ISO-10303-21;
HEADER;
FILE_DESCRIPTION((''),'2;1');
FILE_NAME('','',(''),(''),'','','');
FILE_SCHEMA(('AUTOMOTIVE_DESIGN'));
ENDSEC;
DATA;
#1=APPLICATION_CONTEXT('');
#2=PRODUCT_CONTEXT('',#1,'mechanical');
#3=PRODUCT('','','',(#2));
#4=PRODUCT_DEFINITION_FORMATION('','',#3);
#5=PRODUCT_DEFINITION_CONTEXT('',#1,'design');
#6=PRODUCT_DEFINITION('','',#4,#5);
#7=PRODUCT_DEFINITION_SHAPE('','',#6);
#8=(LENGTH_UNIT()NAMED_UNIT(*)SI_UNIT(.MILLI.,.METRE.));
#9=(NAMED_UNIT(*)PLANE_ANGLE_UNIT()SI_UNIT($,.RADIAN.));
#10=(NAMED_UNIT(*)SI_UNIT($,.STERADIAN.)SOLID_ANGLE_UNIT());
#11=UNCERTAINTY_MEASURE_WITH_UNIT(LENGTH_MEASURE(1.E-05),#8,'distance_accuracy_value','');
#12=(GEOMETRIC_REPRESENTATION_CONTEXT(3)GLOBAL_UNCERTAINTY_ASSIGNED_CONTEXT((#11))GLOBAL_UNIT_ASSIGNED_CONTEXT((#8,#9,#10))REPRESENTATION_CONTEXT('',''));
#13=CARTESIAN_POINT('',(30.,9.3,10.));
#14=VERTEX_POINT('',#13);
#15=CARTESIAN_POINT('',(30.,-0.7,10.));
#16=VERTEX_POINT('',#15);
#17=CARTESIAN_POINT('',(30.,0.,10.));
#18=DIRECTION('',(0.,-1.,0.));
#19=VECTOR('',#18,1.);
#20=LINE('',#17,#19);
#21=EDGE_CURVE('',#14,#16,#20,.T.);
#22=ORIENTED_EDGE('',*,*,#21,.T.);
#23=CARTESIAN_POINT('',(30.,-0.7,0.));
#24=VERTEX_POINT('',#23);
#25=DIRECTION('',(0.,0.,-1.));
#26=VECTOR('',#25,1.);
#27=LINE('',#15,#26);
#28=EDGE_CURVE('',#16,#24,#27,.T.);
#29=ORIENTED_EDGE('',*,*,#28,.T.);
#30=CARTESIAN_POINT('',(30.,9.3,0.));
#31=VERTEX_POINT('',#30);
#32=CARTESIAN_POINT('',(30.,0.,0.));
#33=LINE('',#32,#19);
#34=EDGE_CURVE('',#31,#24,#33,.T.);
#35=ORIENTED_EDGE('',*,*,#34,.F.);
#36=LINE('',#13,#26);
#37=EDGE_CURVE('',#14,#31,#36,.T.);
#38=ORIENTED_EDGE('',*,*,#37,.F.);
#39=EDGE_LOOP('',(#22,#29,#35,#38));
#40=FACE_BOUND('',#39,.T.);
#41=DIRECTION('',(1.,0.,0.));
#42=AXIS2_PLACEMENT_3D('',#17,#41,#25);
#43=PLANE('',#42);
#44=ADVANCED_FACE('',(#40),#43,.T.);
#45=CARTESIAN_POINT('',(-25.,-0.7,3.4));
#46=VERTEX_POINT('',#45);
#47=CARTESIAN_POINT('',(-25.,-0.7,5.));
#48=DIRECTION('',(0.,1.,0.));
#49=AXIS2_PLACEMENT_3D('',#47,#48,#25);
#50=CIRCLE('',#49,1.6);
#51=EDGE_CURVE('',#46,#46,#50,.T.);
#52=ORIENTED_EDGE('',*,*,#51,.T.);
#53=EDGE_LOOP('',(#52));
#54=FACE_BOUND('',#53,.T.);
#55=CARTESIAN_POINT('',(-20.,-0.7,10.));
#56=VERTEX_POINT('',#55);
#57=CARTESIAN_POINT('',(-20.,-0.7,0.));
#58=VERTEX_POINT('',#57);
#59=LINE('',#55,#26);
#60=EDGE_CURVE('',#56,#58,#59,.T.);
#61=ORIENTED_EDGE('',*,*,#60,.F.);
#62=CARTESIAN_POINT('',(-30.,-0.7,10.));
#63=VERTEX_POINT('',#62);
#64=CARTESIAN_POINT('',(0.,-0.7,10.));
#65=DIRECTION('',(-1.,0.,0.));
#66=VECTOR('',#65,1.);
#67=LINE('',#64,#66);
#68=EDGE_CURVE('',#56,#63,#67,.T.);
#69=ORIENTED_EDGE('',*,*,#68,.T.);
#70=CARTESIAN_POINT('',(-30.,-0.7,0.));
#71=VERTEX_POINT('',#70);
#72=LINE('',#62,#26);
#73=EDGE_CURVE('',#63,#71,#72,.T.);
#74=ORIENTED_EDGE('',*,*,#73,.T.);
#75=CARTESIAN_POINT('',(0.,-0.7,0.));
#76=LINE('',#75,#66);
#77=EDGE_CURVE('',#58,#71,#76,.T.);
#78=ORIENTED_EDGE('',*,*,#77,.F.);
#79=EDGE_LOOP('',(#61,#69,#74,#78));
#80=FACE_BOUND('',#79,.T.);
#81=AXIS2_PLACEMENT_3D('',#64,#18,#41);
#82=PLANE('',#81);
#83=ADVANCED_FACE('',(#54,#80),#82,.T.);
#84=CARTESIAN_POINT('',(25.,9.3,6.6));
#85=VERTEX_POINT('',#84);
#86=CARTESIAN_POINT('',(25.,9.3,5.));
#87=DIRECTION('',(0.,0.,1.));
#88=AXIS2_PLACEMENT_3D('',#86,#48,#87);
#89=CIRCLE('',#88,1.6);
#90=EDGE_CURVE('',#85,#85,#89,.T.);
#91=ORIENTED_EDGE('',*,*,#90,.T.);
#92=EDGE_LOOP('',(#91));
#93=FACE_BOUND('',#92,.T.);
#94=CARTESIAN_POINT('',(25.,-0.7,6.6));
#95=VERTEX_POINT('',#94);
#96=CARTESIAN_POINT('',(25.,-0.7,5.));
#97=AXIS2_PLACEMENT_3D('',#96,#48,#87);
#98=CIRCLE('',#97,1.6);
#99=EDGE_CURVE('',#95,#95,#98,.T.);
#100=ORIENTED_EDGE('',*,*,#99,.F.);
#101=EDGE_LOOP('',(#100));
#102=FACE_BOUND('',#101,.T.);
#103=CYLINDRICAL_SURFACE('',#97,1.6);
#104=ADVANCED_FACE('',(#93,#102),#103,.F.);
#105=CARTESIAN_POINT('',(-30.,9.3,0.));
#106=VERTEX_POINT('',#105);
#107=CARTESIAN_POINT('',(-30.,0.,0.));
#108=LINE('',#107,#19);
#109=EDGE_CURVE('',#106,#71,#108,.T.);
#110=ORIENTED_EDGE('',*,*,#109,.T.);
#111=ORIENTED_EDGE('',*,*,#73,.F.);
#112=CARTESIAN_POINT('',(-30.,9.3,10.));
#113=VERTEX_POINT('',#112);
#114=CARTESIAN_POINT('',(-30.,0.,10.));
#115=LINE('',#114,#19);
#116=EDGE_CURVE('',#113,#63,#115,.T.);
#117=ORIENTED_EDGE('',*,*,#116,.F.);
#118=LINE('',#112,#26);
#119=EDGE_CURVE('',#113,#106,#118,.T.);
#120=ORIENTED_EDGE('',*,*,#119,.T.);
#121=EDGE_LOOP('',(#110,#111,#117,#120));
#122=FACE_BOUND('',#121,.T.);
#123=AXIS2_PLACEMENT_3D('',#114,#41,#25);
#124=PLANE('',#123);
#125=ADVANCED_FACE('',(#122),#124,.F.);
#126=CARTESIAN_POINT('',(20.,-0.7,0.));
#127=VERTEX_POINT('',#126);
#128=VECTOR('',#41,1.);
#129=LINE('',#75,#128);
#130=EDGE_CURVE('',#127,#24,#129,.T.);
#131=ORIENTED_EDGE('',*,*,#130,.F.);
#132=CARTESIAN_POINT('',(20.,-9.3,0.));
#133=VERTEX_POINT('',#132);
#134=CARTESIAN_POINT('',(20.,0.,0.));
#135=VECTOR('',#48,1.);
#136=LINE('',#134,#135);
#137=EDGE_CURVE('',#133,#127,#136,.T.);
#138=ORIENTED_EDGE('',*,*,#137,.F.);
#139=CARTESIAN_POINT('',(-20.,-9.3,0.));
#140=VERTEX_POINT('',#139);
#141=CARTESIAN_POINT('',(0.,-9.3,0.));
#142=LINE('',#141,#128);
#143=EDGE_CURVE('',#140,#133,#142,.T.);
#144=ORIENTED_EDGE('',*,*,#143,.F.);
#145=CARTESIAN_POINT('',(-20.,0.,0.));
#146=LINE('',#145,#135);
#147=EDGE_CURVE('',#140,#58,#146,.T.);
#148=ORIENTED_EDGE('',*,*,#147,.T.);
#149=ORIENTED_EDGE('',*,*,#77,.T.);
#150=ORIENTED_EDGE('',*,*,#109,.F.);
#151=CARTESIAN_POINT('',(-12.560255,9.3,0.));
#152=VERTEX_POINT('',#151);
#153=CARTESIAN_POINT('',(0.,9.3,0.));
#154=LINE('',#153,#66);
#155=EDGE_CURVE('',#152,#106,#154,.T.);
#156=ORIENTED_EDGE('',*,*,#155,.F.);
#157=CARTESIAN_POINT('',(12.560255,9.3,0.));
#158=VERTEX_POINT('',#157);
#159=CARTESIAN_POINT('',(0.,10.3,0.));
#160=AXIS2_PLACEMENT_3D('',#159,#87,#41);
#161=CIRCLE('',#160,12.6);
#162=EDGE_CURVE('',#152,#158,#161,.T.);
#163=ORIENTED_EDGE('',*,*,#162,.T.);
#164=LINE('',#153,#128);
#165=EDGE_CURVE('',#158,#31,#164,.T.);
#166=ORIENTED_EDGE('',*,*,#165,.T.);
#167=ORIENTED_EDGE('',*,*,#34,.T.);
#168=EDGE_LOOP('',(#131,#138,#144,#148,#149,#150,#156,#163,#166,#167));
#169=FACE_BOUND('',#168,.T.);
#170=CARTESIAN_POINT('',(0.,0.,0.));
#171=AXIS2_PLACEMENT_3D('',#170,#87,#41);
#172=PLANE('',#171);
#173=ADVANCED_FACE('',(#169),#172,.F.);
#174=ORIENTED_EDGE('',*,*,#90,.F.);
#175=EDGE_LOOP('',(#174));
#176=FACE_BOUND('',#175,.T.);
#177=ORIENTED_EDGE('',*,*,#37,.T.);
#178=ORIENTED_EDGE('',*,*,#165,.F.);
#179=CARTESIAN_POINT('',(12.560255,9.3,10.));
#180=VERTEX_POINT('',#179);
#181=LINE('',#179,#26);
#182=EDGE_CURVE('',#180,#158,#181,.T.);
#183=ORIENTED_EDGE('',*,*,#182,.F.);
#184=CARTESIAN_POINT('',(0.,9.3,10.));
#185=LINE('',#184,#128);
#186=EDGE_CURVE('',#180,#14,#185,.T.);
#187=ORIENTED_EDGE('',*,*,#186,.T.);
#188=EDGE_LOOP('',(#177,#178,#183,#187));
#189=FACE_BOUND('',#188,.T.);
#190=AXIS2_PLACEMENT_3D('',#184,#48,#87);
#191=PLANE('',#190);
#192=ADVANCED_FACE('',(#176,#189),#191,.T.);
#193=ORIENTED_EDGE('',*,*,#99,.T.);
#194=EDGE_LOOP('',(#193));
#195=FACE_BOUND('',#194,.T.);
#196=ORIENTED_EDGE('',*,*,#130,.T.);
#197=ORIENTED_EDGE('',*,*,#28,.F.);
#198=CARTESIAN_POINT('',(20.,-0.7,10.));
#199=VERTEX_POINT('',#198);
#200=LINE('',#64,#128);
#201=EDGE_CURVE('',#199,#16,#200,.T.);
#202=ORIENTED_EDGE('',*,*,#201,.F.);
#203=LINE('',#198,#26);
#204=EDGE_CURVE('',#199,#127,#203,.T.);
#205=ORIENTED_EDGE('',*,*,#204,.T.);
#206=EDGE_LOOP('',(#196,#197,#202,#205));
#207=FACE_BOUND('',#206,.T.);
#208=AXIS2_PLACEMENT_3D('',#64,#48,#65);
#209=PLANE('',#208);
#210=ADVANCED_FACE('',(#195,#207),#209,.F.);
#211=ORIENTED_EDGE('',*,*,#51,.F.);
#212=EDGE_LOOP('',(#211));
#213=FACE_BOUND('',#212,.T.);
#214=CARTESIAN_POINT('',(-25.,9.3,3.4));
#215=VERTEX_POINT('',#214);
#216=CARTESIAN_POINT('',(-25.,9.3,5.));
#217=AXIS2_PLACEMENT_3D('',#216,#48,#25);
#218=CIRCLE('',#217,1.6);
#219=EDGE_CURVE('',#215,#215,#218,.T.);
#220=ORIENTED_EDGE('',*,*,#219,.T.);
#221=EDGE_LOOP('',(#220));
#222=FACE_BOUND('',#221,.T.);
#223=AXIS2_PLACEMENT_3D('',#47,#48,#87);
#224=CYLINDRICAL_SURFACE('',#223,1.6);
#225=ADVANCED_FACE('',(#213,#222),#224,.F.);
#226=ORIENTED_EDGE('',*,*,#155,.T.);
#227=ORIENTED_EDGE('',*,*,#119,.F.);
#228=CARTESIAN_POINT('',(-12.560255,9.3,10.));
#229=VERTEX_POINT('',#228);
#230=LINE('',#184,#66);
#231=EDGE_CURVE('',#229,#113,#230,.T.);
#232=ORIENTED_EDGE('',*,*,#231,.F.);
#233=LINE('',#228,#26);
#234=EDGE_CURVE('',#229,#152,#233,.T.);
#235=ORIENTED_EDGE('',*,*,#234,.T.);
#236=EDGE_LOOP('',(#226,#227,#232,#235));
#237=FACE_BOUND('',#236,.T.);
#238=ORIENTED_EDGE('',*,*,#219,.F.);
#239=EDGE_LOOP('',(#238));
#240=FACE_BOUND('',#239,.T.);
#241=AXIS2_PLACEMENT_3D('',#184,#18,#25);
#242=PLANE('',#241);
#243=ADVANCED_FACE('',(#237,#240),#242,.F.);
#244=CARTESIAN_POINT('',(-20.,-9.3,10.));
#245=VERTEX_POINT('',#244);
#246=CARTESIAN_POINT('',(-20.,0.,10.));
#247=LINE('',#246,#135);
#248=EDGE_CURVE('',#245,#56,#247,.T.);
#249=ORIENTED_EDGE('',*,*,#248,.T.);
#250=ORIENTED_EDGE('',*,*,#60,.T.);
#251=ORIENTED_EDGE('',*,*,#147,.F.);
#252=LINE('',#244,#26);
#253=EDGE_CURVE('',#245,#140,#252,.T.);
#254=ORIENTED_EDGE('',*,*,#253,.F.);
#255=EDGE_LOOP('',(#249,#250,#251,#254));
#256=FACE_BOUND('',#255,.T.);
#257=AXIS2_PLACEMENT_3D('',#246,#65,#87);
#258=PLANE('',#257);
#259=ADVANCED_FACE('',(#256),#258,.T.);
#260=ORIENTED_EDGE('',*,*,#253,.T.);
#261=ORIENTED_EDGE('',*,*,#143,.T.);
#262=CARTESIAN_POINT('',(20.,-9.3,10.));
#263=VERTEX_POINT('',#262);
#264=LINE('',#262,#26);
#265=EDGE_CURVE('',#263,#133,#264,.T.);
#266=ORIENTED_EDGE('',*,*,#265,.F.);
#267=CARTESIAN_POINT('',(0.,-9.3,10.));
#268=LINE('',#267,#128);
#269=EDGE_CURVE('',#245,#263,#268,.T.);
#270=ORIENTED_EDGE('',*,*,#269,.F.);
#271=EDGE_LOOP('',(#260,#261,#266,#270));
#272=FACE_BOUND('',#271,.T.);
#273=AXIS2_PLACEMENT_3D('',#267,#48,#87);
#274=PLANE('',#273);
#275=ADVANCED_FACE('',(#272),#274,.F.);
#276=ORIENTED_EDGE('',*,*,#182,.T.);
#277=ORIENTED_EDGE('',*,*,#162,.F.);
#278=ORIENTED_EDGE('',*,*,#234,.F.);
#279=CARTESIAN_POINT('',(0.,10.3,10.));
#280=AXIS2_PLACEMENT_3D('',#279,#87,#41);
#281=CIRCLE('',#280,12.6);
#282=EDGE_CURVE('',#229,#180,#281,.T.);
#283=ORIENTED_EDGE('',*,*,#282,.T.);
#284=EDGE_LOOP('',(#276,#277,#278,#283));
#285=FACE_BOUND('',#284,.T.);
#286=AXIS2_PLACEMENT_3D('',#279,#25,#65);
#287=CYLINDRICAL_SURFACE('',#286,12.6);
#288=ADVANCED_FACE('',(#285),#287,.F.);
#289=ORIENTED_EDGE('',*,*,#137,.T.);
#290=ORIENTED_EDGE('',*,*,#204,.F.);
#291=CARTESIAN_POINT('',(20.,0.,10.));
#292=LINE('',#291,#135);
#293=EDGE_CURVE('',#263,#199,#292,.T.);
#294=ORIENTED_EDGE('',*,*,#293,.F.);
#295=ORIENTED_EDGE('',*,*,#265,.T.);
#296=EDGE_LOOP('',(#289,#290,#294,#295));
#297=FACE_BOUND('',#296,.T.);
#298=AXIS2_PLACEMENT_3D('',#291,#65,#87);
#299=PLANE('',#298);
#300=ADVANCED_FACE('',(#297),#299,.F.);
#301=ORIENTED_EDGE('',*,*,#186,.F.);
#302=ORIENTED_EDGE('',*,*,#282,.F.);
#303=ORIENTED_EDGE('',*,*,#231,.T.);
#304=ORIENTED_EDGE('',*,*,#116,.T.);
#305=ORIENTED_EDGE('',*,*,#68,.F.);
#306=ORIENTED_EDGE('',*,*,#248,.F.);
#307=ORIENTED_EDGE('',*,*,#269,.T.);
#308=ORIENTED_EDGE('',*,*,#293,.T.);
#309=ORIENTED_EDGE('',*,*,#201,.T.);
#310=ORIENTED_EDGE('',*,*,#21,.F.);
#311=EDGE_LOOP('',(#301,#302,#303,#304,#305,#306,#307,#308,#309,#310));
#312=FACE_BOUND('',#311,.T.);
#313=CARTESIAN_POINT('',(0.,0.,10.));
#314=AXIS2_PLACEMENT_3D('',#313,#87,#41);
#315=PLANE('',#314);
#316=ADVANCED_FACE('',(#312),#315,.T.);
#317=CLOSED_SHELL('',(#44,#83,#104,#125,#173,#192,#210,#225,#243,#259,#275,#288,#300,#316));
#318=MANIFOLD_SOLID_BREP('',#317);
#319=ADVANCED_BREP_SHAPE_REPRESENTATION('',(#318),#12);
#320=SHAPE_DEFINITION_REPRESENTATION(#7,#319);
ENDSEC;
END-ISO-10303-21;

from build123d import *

# Parameters (mm, degrees)
SKETCH_1_W          = 10
SKETCH_1_H          = 10
EXTRUDE_1_DEPTH     = 10
SKETCH_2_R          = 1.6
CUT_EXTRUDE_1_DEPTH = 10


with BuildPart() as part:
    # Эскиз1 → Бобышка-Вытянуть1 (new body)
    with BuildSketch(Plane.XY):
        with Locations((-25, 4.3)):
            Rectangle(SKETCH_1_W, SKETCH_1_H)
        with BuildLine():
            ThreePointArc((-12.560254774, 9.3), (0, -2.3), (12.560254774, 9.3))
            Line((12.560254774, 9.3), (20, 9.3))
            Line((20, 9.3), (20, -9.3))
            Line((20, -9.3), (-20, -9.3))
            Line((-20, -9.3), (-20, 9.3))
            Line((-20, 9.3), (-12.560254774, 9.3))
        make_face()
        with Locations((25, 4.3)):
            Rectangle(SKETCH_1_W, SKETCH_1_H)
    extrude(amount=EXTRUDE_1_DEPTH)

    # Эскиз2 → Вырез-Вытянуть1 (cut)
    with BuildSketch(Plane(origin=(0, 9.3, 0), x_dir=(1, 0, 0), z_dir=(0, 1, 0))):
        with Locations(Location((25, -5, 0), (0, 0, 270))):
            Circle(SKETCH_2_R)
        with Locations(Location((-25, -5, 0), (0, 0, 90))):
            Circle(SKETCH_2_R)
    extrude(amount=-CUT_EXTRUDE_1_DEPTH, mode=Mode.SUBTRACT)


solid = part.part
